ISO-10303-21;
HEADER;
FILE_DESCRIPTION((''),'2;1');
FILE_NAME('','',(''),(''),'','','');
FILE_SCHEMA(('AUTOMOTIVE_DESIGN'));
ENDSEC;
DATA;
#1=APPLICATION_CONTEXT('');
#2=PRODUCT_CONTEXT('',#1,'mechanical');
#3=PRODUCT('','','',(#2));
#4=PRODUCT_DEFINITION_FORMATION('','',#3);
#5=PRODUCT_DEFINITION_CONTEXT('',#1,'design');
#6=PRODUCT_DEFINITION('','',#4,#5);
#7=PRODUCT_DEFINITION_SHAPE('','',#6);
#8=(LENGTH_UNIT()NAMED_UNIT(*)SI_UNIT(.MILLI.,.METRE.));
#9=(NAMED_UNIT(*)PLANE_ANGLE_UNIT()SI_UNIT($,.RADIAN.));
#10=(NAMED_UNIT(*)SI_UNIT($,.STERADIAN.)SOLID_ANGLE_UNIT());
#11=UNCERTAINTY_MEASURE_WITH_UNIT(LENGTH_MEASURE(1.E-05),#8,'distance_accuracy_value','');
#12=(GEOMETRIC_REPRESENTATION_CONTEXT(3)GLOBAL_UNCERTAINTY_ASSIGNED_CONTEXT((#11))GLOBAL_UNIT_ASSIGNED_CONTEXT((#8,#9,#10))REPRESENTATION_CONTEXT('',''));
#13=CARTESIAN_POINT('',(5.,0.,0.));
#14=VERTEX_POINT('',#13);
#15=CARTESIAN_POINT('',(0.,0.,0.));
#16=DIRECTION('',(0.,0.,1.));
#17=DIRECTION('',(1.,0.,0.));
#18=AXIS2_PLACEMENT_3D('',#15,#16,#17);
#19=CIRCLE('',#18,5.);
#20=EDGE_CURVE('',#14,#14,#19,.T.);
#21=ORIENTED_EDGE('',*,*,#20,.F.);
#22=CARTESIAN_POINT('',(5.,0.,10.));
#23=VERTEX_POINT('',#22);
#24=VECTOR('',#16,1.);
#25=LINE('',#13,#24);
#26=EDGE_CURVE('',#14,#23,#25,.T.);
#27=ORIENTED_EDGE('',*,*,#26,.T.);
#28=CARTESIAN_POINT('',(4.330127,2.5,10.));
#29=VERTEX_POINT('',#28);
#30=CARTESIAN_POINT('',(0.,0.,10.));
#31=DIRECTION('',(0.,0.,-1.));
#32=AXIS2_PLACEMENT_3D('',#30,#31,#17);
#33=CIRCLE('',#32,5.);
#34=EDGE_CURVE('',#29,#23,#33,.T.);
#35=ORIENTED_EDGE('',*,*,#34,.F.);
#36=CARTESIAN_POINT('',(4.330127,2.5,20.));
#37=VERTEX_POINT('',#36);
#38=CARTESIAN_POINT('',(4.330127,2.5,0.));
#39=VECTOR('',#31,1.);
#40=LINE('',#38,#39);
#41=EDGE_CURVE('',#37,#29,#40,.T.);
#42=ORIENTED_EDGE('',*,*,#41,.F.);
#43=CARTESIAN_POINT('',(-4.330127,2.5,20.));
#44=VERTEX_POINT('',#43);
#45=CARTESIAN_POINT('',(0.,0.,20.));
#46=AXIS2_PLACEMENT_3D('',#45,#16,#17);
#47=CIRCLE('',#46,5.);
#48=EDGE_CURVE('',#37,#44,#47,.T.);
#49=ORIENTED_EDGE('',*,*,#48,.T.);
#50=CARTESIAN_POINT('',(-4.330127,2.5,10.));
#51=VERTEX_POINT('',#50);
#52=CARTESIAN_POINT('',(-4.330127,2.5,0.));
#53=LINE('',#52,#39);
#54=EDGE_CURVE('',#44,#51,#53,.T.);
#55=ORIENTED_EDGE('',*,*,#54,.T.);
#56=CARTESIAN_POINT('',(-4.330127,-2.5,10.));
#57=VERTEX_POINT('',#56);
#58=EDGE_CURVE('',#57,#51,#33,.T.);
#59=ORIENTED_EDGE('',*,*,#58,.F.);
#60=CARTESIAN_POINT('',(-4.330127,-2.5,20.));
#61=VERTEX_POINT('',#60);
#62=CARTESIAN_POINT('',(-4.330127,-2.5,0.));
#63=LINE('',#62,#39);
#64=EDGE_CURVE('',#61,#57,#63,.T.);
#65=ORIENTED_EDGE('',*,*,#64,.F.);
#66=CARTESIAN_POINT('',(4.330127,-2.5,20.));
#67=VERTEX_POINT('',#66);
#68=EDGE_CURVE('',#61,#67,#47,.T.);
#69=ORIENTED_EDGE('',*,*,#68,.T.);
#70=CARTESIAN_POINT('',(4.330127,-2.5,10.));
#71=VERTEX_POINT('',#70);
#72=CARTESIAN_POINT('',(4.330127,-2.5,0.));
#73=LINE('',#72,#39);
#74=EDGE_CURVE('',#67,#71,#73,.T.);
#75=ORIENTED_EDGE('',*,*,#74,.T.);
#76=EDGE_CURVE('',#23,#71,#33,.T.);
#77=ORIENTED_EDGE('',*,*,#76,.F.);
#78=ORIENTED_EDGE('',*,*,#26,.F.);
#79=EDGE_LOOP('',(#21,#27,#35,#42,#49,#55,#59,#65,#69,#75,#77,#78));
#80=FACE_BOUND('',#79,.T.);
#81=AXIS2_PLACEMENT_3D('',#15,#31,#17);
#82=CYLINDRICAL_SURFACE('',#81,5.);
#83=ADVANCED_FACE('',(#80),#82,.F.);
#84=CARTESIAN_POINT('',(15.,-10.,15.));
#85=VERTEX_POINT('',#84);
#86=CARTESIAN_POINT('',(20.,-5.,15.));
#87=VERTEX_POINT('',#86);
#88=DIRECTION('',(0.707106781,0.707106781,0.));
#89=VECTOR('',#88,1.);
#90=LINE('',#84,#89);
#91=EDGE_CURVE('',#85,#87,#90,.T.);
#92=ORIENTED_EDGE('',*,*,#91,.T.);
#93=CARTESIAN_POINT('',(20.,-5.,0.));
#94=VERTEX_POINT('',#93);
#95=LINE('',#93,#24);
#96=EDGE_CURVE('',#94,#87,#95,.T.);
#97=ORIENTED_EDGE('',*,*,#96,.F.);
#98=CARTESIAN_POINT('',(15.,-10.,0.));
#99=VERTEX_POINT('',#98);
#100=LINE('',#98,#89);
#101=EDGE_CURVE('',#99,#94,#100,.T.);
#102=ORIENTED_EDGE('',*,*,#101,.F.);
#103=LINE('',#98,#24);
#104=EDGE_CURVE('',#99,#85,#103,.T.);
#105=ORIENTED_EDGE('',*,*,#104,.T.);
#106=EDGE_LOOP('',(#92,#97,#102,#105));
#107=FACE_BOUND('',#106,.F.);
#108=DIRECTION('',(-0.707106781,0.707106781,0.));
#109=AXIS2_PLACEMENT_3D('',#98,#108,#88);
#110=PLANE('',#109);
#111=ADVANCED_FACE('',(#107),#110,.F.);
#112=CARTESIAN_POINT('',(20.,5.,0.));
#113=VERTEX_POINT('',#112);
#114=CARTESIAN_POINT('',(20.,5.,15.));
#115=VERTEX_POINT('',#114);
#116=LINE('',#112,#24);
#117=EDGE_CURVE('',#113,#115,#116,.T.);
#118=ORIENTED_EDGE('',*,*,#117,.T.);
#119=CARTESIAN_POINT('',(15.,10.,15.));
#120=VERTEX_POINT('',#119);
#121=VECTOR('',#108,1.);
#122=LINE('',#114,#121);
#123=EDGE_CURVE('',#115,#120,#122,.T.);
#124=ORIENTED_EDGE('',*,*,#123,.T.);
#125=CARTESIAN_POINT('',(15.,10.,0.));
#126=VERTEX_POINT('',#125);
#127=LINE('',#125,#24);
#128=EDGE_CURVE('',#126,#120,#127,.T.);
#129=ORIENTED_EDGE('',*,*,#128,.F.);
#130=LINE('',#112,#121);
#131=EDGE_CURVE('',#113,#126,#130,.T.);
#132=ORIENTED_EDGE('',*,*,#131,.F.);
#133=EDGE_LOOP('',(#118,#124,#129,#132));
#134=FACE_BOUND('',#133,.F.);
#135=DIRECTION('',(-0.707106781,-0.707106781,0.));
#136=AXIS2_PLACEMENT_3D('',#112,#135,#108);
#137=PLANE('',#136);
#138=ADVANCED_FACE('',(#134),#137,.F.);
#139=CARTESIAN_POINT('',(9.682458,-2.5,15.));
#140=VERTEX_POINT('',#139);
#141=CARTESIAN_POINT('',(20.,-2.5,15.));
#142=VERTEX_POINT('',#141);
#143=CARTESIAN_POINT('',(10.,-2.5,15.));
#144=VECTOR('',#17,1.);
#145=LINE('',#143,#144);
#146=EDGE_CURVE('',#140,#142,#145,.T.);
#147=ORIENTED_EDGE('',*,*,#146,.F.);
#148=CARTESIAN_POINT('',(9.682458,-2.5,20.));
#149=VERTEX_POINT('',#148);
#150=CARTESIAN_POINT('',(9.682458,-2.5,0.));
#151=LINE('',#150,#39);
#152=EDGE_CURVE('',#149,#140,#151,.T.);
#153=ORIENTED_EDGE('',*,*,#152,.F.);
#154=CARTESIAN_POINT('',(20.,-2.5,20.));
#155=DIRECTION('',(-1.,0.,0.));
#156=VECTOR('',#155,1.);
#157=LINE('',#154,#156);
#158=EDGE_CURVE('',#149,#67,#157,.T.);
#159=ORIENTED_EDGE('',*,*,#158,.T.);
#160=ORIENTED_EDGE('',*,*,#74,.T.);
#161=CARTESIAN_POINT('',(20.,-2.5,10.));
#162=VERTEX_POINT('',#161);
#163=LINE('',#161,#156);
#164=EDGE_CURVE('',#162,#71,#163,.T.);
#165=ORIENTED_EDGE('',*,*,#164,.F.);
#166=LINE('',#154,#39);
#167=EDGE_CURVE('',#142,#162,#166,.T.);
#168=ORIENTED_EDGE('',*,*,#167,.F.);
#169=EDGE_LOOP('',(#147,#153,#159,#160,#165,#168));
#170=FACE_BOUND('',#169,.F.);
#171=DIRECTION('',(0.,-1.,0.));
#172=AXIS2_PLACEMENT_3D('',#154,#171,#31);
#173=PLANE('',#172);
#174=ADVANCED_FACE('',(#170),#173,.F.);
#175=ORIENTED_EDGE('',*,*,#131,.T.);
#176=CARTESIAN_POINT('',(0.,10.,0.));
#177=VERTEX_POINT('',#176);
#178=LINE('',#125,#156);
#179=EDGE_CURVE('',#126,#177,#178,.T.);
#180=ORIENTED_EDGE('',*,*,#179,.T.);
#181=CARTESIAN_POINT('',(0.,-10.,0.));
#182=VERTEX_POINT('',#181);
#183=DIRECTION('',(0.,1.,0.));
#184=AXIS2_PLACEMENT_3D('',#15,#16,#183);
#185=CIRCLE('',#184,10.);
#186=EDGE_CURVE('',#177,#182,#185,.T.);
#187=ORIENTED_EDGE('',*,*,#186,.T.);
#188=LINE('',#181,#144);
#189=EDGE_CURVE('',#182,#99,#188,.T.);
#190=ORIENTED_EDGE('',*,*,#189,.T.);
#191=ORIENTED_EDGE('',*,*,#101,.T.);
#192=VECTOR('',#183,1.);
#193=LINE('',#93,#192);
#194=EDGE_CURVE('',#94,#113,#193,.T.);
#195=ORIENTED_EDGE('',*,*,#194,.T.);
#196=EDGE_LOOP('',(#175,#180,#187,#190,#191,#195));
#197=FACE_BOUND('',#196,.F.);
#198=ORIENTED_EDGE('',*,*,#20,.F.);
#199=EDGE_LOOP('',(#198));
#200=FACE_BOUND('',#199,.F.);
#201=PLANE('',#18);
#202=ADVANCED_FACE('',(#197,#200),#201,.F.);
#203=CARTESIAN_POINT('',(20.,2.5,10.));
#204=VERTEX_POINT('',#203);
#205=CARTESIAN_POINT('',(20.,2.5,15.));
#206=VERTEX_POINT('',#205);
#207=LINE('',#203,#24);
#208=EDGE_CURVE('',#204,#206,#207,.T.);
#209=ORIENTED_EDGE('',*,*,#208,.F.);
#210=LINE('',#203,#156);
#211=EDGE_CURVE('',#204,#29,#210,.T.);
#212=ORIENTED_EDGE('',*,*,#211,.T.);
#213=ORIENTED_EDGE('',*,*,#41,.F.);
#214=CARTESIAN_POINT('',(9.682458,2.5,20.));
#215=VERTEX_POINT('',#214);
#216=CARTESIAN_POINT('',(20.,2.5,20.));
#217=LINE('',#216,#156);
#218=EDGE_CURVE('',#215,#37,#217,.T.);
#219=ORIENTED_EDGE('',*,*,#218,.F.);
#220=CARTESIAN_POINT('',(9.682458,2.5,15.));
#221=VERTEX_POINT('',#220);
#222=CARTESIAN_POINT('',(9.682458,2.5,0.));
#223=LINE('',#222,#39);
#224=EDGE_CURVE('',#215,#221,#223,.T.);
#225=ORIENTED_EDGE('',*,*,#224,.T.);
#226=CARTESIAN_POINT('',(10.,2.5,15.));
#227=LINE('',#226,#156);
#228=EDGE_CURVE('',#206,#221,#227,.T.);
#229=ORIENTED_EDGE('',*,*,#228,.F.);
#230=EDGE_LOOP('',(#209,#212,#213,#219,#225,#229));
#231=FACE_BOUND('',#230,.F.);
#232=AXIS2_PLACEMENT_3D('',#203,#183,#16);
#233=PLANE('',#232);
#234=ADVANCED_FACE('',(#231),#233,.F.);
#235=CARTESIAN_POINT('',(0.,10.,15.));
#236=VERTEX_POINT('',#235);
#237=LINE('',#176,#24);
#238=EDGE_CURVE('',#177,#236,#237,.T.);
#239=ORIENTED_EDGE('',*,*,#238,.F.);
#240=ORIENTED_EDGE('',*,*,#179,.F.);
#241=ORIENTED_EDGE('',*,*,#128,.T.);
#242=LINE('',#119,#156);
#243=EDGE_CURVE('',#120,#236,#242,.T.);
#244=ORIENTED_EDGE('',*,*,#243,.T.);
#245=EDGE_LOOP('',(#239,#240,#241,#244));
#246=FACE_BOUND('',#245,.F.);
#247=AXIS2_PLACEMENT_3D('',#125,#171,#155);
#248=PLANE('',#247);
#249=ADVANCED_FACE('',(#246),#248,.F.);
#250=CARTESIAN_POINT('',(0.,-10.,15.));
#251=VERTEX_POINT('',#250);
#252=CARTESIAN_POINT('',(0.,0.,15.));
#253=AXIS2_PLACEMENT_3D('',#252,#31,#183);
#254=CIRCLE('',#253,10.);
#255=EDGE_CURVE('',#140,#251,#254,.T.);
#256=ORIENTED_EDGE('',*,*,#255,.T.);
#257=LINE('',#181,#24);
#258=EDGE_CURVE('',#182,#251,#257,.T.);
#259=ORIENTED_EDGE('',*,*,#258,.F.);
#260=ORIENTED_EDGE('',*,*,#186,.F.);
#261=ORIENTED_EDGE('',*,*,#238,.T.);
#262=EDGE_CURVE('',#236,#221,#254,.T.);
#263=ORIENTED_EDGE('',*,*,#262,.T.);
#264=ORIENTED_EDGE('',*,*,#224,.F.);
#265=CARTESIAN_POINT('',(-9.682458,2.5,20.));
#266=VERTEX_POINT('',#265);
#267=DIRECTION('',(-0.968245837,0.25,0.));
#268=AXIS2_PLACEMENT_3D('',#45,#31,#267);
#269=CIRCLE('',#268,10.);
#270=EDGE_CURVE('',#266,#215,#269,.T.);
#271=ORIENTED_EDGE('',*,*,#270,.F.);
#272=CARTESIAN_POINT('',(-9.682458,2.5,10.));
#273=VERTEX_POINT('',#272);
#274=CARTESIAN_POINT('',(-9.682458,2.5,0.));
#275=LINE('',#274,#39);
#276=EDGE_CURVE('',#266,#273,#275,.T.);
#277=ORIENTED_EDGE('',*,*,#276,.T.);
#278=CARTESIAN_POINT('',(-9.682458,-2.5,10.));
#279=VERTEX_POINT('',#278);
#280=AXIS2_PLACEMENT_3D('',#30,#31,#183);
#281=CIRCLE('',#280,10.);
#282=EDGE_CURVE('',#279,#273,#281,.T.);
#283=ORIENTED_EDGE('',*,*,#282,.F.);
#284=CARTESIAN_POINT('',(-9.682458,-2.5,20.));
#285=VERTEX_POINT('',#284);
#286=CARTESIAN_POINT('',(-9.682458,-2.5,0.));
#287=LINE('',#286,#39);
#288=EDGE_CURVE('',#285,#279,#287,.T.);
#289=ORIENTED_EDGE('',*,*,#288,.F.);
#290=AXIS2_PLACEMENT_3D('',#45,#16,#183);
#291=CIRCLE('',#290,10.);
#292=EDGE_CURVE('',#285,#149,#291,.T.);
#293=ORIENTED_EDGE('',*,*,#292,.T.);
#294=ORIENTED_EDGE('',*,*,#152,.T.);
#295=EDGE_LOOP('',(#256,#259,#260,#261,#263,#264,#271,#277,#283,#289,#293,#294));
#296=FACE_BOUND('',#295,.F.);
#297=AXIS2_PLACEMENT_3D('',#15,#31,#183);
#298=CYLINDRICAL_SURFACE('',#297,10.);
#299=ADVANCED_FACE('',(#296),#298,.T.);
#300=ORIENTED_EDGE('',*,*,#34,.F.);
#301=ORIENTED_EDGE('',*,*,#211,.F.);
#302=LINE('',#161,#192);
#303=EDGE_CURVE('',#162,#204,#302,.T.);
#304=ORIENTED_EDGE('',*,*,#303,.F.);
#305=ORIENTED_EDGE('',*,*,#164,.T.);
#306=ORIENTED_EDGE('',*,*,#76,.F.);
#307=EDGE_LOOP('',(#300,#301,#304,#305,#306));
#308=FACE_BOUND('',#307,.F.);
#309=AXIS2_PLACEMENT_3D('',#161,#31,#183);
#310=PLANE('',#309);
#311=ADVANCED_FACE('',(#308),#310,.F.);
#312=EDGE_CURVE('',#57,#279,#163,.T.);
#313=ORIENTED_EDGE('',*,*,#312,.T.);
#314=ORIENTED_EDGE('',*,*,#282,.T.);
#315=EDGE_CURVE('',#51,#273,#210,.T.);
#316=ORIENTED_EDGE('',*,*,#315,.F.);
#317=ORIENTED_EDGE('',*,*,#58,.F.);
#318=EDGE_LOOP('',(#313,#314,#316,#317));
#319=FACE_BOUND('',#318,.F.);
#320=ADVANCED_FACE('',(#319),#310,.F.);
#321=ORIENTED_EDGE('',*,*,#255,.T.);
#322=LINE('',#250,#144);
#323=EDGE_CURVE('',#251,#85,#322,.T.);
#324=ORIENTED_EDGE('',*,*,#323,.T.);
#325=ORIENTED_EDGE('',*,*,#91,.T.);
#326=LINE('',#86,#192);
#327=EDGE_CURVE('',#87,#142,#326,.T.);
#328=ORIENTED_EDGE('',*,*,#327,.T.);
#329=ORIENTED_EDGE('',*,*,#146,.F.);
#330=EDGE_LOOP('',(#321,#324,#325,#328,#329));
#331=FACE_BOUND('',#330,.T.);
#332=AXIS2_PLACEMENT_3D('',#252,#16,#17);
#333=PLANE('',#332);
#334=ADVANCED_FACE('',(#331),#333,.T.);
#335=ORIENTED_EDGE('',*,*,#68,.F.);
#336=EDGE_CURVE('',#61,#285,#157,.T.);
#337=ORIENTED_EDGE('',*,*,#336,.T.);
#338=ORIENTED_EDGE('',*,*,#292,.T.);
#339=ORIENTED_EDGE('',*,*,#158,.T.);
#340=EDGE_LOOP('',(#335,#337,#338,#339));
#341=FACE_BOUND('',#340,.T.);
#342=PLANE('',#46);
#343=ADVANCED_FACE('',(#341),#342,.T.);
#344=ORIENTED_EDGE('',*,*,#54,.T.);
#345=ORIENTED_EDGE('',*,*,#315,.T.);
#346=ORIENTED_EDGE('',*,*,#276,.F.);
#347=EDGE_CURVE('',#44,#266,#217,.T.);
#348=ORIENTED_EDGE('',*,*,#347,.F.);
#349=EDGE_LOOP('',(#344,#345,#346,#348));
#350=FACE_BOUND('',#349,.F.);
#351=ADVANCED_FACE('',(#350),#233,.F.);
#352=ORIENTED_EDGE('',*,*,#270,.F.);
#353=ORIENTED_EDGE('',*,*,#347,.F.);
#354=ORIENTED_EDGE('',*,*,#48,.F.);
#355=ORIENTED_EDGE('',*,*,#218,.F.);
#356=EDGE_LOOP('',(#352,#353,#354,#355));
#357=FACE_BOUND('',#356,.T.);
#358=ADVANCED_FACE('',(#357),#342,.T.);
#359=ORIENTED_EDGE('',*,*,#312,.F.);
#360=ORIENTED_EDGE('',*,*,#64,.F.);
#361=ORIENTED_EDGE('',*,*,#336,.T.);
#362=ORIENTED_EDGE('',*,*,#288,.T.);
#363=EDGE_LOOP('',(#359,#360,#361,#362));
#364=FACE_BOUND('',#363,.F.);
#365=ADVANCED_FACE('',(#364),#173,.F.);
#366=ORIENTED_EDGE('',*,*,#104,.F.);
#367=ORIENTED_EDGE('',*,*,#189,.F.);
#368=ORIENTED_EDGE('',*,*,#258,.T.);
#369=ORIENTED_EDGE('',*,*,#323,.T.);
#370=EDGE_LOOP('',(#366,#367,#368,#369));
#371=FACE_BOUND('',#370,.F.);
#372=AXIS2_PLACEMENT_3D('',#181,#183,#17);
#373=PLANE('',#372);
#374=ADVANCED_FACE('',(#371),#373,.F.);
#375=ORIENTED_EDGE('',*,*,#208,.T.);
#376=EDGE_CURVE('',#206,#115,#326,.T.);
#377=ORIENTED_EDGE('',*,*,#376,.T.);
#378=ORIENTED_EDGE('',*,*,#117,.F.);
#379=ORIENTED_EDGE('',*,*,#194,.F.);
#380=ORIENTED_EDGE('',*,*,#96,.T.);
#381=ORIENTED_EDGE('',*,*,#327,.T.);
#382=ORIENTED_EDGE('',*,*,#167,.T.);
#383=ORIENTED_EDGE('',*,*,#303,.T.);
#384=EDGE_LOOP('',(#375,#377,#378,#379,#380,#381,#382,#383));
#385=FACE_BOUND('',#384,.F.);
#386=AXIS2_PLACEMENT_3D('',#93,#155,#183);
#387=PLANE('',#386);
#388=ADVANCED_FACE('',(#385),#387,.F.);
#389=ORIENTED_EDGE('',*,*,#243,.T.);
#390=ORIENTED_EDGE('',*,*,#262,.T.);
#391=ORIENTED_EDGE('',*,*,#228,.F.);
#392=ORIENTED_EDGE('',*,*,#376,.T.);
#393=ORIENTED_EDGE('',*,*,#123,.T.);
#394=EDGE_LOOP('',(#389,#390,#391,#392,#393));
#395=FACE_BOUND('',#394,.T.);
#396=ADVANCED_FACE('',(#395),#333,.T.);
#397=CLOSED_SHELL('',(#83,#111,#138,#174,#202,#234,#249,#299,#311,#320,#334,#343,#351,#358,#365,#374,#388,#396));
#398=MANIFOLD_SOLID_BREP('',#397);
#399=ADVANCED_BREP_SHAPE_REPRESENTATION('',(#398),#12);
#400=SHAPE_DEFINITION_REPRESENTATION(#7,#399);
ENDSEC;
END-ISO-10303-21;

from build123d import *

# Parameters (mm, degrees)
F0_R     = 5
F1_DEPTH = 15
F2_DEPTH = 20
F4_DEPTH = 30.001


with BuildPart() as f1:
    # F0 (on Top) → F1 (new body)
    with BuildSketch(Plane.XY):
        with BuildLine():
            ThreePointArc((0, -10), (10, 0), (0, 10))
            ThreePointArc((0, 10), (-10, 0), (0, -10))
        make_face()
        Circle(F0_R, mode=Mode.SUBTRACT)
        with BuildLine():
            Line((15, 10), (0, 10))
            ThreePointArc((0, 10), (10, 0), (0, -10))
            Line((0, -10), (15, -10))
            Line((15, -10), (20, -5))
            Line((20, -5), (20, 5))
            Line((20, 5), (15, 10))
        make_face()
    extrude(amount=F1_DEPTH)

    # F0 (on Top) → F2 (join)
    with BuildSketch(Plane.XY):
        with BuildLine():
            ThreePointArc((0, -10), (10, 0), (0, 10))
            ThreePointArc((0, 10), (-10, 0), (0, -10))
        make_face()
        Circle(F0_R, mode=Mode.SUBTRACT)
    extrude(amount=F2_DEPTH)

    # F3 (on face) → F4 (cut, through all)
    with BuildSketch(Plane.YZ.offset(20)):
        Polygon((2.5, 10), (2.5, 15), (2.5, 20), (-2.5, 20), (-2.5, 15), (-2.5, 10), align=None)
    extrude(amount=-F4_DEPTH, mode=Mode.SUBTRACT)


solid = f1.part
